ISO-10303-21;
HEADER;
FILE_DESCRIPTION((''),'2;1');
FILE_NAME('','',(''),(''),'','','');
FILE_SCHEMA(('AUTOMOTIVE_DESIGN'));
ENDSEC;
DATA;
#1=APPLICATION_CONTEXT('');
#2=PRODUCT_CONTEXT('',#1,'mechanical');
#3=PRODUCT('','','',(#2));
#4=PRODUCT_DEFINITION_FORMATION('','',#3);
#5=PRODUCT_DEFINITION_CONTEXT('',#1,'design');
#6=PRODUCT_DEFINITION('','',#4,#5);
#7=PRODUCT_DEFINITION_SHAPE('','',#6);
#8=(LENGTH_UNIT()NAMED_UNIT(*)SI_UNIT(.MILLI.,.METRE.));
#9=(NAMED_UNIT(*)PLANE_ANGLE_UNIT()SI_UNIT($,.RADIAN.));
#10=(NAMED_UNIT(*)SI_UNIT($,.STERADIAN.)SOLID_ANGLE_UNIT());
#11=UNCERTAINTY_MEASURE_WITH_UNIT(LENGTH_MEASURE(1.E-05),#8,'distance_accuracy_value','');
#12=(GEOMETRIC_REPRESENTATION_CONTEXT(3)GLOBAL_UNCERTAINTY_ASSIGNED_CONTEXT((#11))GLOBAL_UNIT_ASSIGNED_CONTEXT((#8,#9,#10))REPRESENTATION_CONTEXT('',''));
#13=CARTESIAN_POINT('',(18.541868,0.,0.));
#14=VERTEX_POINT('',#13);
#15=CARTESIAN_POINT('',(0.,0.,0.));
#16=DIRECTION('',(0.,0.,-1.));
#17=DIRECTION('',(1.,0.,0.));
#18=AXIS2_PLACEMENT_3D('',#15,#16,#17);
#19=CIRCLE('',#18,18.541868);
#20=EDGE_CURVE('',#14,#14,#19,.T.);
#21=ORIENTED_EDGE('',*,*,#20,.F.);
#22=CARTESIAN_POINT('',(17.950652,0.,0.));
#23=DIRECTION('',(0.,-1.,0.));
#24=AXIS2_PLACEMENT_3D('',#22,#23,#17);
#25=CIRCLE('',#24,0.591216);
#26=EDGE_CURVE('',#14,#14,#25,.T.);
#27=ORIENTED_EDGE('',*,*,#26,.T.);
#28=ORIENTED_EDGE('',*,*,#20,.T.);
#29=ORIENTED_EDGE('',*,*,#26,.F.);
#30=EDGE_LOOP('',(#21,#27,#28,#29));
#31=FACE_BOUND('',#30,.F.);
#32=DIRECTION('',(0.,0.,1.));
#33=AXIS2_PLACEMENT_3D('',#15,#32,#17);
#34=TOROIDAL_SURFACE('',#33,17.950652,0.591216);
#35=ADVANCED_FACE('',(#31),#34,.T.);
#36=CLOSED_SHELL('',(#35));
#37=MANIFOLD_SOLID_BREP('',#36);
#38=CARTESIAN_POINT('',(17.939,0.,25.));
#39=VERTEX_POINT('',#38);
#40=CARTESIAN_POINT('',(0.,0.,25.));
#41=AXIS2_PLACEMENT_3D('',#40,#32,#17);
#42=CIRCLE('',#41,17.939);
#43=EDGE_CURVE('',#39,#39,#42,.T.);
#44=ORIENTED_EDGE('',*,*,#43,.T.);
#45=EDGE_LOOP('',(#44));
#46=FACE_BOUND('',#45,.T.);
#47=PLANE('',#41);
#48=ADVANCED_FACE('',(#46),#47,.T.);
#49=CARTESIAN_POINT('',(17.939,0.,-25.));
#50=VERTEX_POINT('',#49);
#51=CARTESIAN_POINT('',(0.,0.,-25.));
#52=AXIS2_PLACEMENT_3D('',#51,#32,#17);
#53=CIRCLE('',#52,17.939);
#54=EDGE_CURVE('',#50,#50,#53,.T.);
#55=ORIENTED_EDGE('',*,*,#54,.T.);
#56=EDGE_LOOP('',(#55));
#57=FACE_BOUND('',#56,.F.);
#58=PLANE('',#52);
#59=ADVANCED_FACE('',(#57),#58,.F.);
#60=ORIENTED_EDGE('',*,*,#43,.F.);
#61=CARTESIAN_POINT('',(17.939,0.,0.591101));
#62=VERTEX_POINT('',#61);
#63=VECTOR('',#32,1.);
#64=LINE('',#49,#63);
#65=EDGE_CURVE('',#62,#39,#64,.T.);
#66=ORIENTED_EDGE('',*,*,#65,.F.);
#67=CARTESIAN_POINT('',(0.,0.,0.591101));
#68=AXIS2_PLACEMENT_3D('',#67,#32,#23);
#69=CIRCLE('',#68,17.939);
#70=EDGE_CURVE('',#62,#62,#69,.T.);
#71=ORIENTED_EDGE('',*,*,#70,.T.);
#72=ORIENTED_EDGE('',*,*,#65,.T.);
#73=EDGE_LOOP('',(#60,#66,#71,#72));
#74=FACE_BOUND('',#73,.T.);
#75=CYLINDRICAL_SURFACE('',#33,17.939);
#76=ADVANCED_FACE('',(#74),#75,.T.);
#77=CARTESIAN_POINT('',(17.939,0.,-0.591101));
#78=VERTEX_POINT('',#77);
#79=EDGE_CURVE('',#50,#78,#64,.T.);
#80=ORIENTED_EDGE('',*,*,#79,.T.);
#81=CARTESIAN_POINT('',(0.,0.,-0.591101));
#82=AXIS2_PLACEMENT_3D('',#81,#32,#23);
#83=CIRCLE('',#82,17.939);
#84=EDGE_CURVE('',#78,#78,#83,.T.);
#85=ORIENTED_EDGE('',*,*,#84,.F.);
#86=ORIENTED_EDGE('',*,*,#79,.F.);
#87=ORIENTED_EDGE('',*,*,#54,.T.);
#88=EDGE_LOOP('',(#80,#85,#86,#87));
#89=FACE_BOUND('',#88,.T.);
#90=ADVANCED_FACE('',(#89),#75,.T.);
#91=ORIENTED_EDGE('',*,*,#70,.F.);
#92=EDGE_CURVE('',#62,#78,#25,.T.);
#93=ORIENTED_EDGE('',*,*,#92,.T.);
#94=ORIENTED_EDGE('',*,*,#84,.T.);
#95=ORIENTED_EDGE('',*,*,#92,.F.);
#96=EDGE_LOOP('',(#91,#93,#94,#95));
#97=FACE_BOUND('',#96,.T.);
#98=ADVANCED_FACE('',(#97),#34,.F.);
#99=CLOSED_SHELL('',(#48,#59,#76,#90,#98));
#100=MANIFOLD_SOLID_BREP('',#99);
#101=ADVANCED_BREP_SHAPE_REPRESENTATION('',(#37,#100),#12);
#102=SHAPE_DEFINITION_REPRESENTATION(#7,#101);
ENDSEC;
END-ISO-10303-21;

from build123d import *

# Parameters (mm, degrees)
F0_R     = 17.939
F1_DEPTH = 25
F2_R     = 0.591216


with BuildPart() as f1:
    # F0 (on Top) → F1 (new body, symmetric)
    with BuildSketch(Plane.XY):
        Circle(F0_R)
    extrude(amount=F1_DEPTH, both=True)

    # F2 (on Front) → F3 (revolve, cut)
    with BuildSketch(Plane.XZ):
        with Locations((17.950652, 0)):
            Circle(F2_R)
    revolve(axis=Axis((0, 0, 10.13613), (0, 0, -1)), mode=Mode.SUBTRACT)


with BuildPart() as f4:
    # F2 (on Front) → F4 (revolve)
    with BuildSketch(Plane.XZ):
        with Locations((17.950652, 0)):
            Circle(F2_R)
    revolve(axis=Axis((0, 0, 10.13613), (0, 0, -1)))


solid = Compound([f1.part, f4.part])
